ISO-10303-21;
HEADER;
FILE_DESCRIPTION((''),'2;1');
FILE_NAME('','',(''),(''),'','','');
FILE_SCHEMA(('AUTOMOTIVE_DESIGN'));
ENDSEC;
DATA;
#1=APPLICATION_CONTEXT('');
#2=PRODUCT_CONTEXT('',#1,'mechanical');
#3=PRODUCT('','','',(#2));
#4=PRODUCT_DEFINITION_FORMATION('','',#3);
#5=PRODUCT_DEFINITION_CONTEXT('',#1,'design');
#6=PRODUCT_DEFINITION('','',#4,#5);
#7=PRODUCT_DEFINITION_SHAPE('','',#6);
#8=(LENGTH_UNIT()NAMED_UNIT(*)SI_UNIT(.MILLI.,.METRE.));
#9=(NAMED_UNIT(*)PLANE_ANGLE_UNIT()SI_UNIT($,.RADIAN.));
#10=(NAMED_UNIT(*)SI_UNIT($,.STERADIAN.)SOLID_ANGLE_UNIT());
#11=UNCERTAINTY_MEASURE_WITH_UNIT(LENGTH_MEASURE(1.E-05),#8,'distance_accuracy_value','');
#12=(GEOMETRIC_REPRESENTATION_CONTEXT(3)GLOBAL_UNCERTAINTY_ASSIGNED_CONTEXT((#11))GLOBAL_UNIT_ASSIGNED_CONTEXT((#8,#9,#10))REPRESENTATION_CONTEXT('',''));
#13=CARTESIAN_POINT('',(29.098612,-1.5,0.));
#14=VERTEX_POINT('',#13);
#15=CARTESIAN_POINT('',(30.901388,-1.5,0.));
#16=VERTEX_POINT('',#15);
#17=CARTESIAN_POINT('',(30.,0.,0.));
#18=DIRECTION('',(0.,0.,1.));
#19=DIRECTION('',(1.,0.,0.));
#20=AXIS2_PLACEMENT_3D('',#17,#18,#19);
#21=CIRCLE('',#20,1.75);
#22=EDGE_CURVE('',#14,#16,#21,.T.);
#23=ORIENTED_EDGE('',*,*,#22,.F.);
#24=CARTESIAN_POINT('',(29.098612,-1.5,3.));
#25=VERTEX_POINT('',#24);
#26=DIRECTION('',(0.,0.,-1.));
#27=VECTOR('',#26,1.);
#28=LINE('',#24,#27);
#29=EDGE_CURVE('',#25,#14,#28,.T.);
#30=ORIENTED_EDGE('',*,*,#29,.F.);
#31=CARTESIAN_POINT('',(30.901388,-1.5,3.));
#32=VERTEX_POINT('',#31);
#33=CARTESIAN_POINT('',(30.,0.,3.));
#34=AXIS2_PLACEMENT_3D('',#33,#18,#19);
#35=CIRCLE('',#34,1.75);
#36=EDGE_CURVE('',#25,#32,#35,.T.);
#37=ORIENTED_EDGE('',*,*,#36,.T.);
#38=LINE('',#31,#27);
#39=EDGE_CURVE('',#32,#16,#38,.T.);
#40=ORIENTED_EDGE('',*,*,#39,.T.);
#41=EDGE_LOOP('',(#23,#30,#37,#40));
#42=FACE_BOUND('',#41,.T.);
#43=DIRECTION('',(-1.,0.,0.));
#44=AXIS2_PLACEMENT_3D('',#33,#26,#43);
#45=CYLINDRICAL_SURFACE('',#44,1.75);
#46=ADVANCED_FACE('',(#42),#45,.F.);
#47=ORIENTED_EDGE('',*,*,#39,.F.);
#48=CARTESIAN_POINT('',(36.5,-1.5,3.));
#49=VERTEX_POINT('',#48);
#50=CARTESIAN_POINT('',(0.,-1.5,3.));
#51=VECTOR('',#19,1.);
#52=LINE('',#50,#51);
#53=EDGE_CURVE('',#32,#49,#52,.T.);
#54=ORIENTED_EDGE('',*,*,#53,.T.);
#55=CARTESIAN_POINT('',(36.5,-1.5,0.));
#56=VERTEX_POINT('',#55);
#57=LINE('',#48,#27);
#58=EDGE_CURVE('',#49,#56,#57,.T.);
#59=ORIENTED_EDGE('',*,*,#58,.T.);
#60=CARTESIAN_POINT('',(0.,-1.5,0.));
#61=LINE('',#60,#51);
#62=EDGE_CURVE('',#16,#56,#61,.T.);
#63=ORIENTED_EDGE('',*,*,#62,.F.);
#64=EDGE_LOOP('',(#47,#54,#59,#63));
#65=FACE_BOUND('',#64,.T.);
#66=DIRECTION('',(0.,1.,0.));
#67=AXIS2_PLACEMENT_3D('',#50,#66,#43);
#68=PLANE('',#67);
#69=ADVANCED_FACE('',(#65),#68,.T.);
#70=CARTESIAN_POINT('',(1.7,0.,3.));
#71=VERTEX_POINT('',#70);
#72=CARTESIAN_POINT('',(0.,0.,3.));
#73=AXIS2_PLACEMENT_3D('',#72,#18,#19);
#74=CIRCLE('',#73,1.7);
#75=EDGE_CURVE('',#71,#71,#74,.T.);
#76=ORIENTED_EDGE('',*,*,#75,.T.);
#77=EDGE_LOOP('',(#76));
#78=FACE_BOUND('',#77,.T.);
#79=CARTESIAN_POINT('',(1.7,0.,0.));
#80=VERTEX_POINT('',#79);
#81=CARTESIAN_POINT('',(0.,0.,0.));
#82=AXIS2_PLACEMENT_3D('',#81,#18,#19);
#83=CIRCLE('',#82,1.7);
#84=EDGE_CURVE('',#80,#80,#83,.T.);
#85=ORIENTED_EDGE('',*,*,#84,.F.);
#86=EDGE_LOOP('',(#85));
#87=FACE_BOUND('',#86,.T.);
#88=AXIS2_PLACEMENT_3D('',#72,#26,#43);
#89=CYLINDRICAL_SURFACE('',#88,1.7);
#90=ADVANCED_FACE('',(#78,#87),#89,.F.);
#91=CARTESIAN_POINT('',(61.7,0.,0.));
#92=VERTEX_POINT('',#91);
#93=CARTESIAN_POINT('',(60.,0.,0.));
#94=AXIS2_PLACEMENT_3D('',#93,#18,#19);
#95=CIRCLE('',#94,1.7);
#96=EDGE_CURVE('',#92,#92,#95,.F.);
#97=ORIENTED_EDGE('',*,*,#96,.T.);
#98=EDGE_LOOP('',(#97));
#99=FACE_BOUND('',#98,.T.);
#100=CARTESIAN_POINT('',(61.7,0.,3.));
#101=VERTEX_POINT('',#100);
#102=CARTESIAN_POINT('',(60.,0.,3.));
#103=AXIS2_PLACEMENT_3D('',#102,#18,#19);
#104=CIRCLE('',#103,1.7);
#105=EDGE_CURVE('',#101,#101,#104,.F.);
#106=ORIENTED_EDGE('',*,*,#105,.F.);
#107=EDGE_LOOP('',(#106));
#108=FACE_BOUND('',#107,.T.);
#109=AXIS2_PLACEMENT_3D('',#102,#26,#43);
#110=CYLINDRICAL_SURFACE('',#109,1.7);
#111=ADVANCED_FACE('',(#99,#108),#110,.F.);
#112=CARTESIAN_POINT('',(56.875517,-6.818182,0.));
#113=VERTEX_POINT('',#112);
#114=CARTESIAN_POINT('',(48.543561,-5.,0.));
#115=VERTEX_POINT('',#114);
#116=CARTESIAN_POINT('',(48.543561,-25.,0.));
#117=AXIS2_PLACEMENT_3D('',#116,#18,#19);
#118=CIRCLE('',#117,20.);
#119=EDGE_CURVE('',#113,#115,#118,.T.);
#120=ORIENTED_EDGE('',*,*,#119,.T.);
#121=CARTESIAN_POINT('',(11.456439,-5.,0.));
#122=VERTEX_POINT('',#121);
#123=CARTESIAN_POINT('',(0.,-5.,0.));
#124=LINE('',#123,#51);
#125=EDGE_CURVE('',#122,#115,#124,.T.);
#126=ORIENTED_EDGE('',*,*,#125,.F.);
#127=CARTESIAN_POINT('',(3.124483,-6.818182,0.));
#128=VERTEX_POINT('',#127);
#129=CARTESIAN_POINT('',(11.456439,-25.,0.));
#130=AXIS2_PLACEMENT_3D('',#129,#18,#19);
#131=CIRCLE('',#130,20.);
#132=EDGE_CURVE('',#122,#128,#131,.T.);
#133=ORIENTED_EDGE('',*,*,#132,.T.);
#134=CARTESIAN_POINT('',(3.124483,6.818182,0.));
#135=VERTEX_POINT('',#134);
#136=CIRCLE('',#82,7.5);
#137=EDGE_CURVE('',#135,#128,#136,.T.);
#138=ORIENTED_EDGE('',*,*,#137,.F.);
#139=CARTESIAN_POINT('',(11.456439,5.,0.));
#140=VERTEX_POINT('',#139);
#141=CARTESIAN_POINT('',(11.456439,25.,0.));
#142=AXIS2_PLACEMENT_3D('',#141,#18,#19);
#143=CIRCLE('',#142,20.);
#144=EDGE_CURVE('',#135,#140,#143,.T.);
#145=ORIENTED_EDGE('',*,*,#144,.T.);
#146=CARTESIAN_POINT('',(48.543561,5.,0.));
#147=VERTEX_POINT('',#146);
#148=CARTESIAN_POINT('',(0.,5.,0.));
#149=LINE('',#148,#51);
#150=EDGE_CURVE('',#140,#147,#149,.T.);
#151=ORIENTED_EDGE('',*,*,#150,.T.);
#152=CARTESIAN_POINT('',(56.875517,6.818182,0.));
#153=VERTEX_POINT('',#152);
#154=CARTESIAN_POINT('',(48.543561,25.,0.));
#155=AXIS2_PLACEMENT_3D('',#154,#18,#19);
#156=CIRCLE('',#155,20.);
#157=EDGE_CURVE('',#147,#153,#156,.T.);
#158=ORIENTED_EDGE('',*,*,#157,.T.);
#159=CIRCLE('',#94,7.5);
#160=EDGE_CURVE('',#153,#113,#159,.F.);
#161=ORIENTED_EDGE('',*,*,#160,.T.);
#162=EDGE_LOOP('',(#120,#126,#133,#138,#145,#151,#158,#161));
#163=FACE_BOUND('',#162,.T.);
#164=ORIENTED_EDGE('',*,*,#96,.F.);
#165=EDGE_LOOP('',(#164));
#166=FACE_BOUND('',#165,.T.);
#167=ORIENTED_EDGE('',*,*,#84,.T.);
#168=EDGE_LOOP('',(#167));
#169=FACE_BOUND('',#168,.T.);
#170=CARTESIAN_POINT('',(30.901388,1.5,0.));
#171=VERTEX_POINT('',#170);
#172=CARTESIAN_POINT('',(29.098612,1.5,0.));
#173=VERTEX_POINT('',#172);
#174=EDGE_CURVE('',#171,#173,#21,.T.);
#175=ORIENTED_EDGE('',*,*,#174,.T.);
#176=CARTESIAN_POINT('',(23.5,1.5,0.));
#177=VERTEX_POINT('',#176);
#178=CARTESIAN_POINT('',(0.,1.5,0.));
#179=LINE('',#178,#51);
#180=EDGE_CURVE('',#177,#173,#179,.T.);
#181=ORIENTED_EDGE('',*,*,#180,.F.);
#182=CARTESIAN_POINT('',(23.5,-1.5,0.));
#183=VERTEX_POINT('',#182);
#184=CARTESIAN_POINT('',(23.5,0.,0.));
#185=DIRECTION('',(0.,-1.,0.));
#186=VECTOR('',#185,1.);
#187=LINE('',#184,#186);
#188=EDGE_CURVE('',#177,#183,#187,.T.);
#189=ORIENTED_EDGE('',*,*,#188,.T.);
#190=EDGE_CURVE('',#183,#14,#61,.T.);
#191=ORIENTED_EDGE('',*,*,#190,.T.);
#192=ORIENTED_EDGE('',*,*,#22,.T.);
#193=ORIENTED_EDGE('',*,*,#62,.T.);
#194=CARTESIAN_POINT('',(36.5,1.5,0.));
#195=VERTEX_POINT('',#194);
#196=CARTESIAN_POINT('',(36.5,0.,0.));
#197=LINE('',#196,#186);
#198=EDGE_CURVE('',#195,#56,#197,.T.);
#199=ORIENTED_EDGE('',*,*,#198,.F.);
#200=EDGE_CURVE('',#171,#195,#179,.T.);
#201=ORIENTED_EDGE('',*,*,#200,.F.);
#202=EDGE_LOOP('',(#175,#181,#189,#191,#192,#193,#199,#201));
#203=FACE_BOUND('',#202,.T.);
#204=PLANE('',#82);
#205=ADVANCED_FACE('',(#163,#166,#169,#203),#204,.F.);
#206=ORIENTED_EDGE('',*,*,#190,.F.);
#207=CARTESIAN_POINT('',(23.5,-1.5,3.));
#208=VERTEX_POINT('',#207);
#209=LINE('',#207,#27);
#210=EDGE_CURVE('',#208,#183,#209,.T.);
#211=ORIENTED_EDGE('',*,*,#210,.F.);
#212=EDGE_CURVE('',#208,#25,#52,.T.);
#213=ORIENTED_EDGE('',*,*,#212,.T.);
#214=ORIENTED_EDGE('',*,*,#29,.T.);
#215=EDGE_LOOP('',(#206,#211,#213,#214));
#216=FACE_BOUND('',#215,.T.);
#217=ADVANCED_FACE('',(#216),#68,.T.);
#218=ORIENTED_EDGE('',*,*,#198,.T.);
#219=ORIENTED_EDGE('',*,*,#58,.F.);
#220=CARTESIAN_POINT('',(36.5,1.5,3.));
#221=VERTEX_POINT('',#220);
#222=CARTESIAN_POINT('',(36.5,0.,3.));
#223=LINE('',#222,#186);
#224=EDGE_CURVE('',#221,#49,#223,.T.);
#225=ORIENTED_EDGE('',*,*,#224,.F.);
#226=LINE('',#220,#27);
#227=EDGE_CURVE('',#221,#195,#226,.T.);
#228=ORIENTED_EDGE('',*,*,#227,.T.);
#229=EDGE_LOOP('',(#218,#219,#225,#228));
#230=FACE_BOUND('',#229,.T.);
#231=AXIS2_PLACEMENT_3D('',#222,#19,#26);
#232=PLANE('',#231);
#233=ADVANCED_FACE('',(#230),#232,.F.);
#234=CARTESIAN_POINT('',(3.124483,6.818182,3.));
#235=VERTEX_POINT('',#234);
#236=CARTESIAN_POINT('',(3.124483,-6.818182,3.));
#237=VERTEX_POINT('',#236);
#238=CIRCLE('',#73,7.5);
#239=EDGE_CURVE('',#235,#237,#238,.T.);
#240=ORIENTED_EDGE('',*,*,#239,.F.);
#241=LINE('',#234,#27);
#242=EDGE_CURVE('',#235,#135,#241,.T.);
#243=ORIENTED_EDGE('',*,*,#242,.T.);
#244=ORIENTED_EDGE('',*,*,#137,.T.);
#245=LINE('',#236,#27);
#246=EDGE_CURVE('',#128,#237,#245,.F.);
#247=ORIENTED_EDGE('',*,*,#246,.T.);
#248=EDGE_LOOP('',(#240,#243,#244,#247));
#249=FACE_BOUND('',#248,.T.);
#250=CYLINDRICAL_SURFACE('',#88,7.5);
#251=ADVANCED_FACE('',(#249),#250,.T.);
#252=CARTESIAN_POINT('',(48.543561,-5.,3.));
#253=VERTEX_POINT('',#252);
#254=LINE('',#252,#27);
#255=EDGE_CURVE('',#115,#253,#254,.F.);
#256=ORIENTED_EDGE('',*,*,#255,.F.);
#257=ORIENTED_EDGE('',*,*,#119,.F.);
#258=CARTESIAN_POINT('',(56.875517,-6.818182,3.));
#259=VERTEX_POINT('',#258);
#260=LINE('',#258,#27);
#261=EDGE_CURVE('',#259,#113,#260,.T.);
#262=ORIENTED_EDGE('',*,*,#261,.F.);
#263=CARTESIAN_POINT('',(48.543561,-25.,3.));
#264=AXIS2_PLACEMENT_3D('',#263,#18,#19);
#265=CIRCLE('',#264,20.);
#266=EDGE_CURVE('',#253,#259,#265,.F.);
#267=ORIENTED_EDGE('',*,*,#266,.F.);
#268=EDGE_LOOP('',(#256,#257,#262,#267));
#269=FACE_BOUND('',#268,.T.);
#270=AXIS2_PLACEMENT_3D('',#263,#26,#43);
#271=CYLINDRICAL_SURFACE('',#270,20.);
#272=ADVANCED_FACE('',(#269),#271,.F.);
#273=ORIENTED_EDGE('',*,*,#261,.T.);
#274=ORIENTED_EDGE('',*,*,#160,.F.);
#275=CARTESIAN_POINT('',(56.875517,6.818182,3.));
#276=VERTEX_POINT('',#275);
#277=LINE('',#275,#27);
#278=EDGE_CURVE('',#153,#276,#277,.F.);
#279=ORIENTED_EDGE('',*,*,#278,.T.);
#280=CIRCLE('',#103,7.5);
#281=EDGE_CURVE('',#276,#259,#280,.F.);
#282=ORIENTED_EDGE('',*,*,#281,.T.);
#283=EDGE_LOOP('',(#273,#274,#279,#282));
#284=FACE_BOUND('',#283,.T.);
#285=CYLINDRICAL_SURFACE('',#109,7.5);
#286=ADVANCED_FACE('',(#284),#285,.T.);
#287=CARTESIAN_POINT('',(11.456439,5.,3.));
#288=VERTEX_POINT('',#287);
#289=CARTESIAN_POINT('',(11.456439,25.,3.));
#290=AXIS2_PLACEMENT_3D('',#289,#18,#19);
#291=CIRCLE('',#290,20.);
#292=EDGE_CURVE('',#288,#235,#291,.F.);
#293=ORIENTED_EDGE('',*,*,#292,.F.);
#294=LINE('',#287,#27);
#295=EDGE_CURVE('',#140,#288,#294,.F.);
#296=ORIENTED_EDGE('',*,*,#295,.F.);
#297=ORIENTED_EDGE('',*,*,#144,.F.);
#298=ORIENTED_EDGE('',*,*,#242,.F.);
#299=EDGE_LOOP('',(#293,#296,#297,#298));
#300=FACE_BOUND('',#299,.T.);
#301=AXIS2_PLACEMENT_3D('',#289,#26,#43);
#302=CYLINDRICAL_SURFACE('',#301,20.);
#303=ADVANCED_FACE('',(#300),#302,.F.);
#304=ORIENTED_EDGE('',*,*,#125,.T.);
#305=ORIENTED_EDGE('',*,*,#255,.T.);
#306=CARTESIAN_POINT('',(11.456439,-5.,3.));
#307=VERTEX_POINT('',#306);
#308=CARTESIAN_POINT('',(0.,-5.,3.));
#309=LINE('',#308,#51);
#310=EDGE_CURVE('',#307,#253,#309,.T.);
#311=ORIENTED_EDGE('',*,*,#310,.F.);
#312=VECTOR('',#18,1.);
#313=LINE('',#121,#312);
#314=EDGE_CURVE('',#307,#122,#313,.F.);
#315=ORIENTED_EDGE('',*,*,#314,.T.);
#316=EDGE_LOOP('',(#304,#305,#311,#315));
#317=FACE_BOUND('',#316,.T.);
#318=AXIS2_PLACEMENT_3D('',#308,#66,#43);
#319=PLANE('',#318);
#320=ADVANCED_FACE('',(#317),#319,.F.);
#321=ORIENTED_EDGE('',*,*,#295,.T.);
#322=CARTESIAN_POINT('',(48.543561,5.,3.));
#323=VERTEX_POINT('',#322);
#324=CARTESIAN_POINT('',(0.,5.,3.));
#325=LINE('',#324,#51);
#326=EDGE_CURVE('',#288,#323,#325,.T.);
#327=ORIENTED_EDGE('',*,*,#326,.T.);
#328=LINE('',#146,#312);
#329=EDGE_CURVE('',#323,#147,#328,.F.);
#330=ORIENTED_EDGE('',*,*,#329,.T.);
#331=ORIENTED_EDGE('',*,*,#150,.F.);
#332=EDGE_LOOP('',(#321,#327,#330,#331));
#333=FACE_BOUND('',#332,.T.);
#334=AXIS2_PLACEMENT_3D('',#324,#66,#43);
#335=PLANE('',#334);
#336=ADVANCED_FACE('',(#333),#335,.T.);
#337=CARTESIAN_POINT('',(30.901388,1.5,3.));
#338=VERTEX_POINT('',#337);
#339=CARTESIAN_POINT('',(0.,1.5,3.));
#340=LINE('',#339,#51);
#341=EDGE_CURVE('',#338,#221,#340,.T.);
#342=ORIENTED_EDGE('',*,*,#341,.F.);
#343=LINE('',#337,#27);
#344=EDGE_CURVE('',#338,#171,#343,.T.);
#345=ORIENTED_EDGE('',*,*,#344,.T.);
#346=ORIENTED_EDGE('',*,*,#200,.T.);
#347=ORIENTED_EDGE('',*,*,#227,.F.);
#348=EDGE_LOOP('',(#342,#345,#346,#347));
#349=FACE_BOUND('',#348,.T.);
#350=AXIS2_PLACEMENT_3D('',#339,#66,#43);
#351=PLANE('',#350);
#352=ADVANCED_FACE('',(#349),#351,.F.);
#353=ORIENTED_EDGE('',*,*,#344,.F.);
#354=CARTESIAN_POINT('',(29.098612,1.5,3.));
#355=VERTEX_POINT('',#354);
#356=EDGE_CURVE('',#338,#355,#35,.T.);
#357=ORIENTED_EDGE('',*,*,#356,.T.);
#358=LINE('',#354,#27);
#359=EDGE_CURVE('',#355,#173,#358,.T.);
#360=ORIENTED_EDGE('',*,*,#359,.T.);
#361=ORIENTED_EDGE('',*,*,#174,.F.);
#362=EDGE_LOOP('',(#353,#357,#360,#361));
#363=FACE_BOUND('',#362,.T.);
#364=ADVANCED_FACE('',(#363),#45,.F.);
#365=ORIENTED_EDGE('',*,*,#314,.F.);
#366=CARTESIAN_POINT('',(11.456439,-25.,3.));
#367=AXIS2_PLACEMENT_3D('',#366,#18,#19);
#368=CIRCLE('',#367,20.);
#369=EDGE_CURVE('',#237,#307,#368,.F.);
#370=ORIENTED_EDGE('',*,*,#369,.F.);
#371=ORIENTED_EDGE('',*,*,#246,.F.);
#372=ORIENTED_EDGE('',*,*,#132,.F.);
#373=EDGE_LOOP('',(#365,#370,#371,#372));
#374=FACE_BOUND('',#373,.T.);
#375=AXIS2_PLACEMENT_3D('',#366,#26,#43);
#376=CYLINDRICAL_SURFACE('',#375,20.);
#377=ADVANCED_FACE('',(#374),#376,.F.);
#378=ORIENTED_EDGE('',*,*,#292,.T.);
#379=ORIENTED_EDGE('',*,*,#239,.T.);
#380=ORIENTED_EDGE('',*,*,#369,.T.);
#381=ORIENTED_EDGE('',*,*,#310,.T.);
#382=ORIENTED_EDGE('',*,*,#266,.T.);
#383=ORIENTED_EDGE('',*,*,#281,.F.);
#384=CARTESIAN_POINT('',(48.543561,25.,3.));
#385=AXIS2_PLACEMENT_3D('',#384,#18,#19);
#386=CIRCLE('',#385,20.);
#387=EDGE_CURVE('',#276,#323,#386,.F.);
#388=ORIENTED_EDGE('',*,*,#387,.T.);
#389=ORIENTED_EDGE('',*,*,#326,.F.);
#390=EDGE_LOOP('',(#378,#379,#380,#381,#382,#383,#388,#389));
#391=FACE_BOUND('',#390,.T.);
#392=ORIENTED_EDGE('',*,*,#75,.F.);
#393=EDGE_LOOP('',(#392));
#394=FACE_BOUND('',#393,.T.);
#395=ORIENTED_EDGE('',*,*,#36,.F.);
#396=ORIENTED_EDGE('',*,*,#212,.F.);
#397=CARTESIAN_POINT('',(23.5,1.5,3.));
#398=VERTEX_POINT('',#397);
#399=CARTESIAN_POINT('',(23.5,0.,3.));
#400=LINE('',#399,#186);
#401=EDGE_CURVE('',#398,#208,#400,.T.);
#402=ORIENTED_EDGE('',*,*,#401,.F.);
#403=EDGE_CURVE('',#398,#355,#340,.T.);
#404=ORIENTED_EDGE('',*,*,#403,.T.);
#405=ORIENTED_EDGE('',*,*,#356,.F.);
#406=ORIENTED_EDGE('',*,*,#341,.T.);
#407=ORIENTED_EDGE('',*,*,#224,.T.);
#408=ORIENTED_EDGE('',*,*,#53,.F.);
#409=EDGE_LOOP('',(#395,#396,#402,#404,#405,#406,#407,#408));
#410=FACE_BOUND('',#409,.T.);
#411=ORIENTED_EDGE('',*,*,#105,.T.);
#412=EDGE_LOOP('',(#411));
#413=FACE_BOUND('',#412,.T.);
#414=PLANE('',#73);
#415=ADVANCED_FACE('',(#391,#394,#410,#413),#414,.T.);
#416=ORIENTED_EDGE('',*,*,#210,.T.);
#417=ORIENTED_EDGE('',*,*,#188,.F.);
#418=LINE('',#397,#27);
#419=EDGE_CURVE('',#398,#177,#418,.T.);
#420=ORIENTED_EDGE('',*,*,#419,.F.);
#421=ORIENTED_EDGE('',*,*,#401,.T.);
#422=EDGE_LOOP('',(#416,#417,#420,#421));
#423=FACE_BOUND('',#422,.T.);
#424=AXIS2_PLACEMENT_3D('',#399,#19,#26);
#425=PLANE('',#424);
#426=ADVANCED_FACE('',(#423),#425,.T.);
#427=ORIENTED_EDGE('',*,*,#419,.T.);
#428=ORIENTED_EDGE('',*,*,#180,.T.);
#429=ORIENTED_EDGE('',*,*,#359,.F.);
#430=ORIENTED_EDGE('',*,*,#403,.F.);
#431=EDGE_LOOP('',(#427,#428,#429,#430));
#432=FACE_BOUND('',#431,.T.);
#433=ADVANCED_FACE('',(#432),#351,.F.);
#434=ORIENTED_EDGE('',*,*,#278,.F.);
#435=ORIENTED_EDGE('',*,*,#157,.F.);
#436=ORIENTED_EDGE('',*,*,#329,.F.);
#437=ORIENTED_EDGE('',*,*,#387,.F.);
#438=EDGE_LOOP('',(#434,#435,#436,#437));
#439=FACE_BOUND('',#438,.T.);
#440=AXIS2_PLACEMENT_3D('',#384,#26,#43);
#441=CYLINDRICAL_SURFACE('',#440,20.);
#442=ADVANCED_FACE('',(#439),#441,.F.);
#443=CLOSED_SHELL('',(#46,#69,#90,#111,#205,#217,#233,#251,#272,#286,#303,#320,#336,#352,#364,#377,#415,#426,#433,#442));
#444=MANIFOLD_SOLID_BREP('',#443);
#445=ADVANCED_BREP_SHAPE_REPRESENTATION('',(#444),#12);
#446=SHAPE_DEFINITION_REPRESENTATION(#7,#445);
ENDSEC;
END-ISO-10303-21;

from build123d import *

# Parameters (mm, degrees)
ESBO_O1_R                = 1.7
RESSALTO_EXTRUS_O1_DEPTH = 3
FILETE1_R                = 20


with BuildPart() as part:
    # Esboço1 → Ressalto-extrusão1 (new body)
    with BuildSketch(Plane.XY):
        with BuildLine():
            Line((5.590169944, -5), (54.409830056, -5))
            ThreePointArc((54.409830056, -5), (67.5, 0), (54.409830056, 5))
            Line((54.409830056, 5), (5.590169944, 5))
            ThreePointArc((5.590169944, 5), (-7.5, 0), (5.590169944, -5))
        make_face()
        Circle(ESBO_O1_R, mode=Mode.SUBTRACT)
        with Locations((60, 0)):
            Circle(ESBO_O1_R, mode=Mode.SUBTRACT)
        with BuildLine():
            Line((30.901387819, -1.5), (36.5, -1.5))
            Line((36.5, -1.5), (36.5, 1.5))
            Line((36.5, 1.5), (30.901387819, 1.5))
            ThreePointArc((30.901387819, 1.5), (30, 1.75), (29.098612181, 1.5))
            Line((29.098612181, 1.5), (23.5, 1.5))
            Line((23.5, 1.5), (23.5, -1.5))
            Line((23.5, -1.5), (29.098612181, -1.5))
            ThreePointArc((29.098612181, -1.5), (30, -1.75), (30.901387819, -1.5))
        make_face(mode=Mode.SUBTRACT)
    extrude(amount=RESSALTO_EXTRUS_O1_DEPTH)

    # Filete1
    filete1_edges = [part.edges().sort_by_distance(p)[0] for p in [
        (54.409830056, -5, 1.5),
        (5.590169944, -5, 1.5),
        (5.590169944, 5, 1.5),
        (54.409830056, 5, 1.5),
    ]]
    fillet(filete1_edges, radius=FILETE1_R)


solid = part.part
